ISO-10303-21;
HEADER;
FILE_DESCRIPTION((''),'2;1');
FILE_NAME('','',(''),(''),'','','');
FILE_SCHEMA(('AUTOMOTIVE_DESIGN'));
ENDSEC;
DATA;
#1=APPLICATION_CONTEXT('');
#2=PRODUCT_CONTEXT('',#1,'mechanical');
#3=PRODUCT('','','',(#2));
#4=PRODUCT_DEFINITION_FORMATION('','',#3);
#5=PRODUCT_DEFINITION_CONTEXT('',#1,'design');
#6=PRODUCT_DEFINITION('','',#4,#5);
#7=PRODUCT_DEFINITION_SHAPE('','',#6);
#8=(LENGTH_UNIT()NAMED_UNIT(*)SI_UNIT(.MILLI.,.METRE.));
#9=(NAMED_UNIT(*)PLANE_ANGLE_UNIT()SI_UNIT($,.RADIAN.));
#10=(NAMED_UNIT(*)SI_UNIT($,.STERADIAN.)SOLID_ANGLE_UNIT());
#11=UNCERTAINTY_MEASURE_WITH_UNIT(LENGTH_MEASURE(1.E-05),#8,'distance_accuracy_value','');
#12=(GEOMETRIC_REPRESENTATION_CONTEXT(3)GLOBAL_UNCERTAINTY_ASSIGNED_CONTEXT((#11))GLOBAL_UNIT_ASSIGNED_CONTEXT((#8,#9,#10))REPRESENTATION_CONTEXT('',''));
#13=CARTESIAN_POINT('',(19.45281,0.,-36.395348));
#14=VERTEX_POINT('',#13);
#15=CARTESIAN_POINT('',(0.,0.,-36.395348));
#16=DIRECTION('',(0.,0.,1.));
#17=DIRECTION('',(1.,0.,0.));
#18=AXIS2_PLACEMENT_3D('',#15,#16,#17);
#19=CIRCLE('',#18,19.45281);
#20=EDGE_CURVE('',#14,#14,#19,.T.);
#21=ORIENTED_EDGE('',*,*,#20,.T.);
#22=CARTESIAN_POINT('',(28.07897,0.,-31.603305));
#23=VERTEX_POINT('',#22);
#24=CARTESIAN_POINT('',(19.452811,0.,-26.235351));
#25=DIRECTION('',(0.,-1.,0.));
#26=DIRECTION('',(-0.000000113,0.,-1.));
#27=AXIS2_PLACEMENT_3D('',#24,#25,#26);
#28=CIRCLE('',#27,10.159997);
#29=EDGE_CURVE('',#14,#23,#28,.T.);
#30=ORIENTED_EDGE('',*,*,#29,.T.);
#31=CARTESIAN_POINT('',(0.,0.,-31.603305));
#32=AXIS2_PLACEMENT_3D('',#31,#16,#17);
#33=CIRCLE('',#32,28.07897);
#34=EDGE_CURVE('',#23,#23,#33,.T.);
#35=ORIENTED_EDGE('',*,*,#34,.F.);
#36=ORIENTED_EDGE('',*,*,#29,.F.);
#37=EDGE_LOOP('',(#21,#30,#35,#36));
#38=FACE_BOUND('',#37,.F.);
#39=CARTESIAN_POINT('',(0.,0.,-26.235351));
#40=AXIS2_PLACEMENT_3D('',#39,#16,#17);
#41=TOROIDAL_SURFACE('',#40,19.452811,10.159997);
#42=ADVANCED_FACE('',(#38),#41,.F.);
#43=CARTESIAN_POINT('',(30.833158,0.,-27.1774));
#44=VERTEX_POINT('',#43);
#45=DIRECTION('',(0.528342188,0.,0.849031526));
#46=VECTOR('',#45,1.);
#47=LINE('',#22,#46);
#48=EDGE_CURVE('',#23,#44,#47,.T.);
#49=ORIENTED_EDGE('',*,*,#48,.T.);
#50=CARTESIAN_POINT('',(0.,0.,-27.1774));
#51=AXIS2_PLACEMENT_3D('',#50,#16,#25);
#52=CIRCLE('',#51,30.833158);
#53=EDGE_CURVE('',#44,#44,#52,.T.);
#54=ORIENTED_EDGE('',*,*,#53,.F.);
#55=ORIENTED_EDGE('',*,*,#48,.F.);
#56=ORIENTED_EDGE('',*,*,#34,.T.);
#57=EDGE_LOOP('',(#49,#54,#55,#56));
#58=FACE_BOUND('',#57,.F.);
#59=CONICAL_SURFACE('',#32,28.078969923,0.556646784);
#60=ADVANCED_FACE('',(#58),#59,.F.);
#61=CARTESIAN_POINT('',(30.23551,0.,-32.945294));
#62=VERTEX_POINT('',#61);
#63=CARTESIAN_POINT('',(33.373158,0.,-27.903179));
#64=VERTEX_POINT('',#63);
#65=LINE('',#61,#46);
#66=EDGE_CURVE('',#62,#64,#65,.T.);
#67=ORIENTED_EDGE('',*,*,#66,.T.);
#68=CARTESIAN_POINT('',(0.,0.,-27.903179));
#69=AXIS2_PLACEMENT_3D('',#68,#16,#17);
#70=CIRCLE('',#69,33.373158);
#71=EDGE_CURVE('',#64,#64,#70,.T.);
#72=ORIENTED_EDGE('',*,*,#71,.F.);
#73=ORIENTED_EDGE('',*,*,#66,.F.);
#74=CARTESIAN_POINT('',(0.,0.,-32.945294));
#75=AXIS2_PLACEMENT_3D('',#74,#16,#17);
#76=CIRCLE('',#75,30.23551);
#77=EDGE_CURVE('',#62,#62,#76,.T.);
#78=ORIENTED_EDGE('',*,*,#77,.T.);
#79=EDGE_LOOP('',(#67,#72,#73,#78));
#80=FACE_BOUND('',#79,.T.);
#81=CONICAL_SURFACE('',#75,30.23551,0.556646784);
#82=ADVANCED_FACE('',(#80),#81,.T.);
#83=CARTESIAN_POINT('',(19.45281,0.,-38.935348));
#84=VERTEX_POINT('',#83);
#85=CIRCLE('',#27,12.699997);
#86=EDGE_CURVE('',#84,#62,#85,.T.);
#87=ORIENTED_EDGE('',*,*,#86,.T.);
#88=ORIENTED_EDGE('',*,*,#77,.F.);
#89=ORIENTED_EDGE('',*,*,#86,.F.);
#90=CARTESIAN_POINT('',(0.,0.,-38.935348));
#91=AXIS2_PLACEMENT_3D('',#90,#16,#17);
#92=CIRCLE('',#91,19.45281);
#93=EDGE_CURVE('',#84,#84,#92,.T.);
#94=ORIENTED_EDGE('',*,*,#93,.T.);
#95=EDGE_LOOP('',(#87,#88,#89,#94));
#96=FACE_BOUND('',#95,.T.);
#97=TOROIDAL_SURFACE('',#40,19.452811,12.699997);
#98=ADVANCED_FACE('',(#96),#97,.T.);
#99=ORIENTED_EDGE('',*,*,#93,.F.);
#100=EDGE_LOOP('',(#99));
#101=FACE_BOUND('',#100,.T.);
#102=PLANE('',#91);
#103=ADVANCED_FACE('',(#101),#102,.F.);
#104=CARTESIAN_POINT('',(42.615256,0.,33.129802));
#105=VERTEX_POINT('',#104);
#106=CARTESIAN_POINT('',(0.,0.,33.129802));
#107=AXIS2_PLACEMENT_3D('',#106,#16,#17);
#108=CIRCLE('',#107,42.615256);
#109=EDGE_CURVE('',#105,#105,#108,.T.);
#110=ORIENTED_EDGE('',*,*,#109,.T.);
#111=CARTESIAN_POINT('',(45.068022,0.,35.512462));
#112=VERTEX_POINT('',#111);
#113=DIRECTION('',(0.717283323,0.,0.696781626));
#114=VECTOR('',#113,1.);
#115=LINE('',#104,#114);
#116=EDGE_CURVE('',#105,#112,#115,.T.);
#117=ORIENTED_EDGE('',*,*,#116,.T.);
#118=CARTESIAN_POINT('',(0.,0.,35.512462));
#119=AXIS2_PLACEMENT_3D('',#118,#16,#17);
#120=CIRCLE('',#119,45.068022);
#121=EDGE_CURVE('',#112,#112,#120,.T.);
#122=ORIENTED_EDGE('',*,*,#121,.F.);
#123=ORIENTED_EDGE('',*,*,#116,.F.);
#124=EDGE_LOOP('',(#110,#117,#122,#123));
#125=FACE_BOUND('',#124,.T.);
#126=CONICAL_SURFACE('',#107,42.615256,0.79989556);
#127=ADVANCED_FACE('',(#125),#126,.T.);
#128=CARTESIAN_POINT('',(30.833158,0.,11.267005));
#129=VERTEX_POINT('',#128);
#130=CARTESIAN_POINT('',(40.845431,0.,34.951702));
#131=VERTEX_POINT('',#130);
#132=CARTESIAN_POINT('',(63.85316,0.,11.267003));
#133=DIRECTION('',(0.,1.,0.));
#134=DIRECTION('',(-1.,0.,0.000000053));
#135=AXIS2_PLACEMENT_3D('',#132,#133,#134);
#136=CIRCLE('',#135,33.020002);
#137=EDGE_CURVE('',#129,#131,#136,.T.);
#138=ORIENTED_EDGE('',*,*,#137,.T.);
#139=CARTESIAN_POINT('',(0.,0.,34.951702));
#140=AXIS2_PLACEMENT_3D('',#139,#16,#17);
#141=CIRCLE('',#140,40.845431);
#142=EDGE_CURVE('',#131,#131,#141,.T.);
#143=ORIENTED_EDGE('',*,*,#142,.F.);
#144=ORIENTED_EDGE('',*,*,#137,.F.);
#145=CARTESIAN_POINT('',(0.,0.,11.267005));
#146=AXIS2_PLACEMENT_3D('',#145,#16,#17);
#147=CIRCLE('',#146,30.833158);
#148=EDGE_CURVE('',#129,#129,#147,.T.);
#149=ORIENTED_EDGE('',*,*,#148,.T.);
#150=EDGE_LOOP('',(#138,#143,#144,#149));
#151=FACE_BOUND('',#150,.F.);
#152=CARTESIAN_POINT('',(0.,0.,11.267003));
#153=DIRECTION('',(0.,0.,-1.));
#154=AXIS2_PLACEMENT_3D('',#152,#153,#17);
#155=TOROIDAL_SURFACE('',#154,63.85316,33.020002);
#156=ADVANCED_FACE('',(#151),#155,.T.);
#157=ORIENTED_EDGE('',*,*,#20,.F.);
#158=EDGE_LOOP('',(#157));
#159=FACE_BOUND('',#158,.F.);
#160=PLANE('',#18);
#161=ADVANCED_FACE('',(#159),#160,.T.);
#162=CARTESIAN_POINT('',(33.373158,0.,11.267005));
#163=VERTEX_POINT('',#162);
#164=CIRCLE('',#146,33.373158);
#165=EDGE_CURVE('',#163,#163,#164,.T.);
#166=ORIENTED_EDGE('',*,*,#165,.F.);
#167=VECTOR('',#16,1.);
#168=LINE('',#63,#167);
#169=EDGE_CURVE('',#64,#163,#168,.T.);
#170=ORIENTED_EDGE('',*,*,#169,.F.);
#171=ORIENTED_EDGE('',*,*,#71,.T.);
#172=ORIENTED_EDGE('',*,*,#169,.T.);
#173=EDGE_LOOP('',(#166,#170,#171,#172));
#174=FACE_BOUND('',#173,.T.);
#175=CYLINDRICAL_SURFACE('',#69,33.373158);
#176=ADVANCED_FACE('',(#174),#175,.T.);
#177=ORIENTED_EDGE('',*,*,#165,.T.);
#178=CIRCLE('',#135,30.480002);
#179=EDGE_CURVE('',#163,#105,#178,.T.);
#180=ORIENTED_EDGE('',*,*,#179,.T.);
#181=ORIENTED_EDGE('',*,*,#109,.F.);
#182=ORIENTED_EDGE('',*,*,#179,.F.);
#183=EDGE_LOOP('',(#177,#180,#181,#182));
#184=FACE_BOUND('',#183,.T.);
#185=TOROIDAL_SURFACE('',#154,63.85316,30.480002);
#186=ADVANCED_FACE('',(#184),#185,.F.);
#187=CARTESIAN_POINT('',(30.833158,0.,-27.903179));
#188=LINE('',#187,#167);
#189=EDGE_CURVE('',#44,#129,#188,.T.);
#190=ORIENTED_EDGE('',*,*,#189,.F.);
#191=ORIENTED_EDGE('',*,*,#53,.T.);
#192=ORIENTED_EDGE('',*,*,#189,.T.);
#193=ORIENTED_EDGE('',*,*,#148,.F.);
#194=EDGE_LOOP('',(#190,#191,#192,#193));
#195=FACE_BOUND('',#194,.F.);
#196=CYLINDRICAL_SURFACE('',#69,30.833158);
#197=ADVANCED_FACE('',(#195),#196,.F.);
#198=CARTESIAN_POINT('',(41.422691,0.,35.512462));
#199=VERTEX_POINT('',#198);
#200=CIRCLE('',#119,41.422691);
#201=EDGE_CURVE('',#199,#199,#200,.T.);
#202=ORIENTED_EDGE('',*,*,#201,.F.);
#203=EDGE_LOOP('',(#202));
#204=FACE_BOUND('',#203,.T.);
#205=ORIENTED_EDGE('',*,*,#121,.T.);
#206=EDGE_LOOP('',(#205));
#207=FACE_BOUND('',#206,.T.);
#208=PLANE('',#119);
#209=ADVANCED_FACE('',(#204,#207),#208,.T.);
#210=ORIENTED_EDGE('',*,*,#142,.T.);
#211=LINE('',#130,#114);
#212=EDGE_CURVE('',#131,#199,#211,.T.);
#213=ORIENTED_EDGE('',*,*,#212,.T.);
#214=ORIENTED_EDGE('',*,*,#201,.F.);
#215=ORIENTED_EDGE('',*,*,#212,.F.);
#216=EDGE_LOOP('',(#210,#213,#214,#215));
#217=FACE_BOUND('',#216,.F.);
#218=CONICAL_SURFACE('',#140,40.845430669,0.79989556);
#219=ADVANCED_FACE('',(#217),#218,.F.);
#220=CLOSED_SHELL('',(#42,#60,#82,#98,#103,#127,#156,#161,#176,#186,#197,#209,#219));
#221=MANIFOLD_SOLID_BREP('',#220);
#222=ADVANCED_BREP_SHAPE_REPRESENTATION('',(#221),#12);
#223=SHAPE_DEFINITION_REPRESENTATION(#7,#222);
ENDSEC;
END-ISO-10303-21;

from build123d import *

# Parameters (mm, degrees)
F2_T = -2.54


with BuildPart() as f1:
    # F0 (on Front) → F1 (revolve)
    with BuildSketch(Plane.XZ):
        with BuildLine():
            Line((45.068022, 35.512462), (0, 35.512462))
            Line((0, 35.512462), (0, -38.935348))
            Line((0, -38.935348), (19.45281, -38.935348))
            ThreePointArc((19.45281, -38.935348), (25.620212, -37.337292), (30.23551, -32.945294))
            Line((30.23551, -32.945294), (33.373158, -27.903179))
            Line((33.373158, -27.903179), (33.373158, 11.267005))
            ThreePointArc((33.373158, 11.267005), (35.7786, 23.135011), (42.615256, 33.129802))
            Line((42.615256, 33.129802), (45.068022, 35.512462))
        make_face()
    revolve(axis=Axis((0, 0, -1.711443), (0, 0, 1)))

    # F2
    f2_openings = [f1.faces().sort_by_distance(p)[0] for p in [
        (0, 0, 35.512462),
    ]]
    offset(amount=F2_T, openings=f2_openings)


solid = f1.part
